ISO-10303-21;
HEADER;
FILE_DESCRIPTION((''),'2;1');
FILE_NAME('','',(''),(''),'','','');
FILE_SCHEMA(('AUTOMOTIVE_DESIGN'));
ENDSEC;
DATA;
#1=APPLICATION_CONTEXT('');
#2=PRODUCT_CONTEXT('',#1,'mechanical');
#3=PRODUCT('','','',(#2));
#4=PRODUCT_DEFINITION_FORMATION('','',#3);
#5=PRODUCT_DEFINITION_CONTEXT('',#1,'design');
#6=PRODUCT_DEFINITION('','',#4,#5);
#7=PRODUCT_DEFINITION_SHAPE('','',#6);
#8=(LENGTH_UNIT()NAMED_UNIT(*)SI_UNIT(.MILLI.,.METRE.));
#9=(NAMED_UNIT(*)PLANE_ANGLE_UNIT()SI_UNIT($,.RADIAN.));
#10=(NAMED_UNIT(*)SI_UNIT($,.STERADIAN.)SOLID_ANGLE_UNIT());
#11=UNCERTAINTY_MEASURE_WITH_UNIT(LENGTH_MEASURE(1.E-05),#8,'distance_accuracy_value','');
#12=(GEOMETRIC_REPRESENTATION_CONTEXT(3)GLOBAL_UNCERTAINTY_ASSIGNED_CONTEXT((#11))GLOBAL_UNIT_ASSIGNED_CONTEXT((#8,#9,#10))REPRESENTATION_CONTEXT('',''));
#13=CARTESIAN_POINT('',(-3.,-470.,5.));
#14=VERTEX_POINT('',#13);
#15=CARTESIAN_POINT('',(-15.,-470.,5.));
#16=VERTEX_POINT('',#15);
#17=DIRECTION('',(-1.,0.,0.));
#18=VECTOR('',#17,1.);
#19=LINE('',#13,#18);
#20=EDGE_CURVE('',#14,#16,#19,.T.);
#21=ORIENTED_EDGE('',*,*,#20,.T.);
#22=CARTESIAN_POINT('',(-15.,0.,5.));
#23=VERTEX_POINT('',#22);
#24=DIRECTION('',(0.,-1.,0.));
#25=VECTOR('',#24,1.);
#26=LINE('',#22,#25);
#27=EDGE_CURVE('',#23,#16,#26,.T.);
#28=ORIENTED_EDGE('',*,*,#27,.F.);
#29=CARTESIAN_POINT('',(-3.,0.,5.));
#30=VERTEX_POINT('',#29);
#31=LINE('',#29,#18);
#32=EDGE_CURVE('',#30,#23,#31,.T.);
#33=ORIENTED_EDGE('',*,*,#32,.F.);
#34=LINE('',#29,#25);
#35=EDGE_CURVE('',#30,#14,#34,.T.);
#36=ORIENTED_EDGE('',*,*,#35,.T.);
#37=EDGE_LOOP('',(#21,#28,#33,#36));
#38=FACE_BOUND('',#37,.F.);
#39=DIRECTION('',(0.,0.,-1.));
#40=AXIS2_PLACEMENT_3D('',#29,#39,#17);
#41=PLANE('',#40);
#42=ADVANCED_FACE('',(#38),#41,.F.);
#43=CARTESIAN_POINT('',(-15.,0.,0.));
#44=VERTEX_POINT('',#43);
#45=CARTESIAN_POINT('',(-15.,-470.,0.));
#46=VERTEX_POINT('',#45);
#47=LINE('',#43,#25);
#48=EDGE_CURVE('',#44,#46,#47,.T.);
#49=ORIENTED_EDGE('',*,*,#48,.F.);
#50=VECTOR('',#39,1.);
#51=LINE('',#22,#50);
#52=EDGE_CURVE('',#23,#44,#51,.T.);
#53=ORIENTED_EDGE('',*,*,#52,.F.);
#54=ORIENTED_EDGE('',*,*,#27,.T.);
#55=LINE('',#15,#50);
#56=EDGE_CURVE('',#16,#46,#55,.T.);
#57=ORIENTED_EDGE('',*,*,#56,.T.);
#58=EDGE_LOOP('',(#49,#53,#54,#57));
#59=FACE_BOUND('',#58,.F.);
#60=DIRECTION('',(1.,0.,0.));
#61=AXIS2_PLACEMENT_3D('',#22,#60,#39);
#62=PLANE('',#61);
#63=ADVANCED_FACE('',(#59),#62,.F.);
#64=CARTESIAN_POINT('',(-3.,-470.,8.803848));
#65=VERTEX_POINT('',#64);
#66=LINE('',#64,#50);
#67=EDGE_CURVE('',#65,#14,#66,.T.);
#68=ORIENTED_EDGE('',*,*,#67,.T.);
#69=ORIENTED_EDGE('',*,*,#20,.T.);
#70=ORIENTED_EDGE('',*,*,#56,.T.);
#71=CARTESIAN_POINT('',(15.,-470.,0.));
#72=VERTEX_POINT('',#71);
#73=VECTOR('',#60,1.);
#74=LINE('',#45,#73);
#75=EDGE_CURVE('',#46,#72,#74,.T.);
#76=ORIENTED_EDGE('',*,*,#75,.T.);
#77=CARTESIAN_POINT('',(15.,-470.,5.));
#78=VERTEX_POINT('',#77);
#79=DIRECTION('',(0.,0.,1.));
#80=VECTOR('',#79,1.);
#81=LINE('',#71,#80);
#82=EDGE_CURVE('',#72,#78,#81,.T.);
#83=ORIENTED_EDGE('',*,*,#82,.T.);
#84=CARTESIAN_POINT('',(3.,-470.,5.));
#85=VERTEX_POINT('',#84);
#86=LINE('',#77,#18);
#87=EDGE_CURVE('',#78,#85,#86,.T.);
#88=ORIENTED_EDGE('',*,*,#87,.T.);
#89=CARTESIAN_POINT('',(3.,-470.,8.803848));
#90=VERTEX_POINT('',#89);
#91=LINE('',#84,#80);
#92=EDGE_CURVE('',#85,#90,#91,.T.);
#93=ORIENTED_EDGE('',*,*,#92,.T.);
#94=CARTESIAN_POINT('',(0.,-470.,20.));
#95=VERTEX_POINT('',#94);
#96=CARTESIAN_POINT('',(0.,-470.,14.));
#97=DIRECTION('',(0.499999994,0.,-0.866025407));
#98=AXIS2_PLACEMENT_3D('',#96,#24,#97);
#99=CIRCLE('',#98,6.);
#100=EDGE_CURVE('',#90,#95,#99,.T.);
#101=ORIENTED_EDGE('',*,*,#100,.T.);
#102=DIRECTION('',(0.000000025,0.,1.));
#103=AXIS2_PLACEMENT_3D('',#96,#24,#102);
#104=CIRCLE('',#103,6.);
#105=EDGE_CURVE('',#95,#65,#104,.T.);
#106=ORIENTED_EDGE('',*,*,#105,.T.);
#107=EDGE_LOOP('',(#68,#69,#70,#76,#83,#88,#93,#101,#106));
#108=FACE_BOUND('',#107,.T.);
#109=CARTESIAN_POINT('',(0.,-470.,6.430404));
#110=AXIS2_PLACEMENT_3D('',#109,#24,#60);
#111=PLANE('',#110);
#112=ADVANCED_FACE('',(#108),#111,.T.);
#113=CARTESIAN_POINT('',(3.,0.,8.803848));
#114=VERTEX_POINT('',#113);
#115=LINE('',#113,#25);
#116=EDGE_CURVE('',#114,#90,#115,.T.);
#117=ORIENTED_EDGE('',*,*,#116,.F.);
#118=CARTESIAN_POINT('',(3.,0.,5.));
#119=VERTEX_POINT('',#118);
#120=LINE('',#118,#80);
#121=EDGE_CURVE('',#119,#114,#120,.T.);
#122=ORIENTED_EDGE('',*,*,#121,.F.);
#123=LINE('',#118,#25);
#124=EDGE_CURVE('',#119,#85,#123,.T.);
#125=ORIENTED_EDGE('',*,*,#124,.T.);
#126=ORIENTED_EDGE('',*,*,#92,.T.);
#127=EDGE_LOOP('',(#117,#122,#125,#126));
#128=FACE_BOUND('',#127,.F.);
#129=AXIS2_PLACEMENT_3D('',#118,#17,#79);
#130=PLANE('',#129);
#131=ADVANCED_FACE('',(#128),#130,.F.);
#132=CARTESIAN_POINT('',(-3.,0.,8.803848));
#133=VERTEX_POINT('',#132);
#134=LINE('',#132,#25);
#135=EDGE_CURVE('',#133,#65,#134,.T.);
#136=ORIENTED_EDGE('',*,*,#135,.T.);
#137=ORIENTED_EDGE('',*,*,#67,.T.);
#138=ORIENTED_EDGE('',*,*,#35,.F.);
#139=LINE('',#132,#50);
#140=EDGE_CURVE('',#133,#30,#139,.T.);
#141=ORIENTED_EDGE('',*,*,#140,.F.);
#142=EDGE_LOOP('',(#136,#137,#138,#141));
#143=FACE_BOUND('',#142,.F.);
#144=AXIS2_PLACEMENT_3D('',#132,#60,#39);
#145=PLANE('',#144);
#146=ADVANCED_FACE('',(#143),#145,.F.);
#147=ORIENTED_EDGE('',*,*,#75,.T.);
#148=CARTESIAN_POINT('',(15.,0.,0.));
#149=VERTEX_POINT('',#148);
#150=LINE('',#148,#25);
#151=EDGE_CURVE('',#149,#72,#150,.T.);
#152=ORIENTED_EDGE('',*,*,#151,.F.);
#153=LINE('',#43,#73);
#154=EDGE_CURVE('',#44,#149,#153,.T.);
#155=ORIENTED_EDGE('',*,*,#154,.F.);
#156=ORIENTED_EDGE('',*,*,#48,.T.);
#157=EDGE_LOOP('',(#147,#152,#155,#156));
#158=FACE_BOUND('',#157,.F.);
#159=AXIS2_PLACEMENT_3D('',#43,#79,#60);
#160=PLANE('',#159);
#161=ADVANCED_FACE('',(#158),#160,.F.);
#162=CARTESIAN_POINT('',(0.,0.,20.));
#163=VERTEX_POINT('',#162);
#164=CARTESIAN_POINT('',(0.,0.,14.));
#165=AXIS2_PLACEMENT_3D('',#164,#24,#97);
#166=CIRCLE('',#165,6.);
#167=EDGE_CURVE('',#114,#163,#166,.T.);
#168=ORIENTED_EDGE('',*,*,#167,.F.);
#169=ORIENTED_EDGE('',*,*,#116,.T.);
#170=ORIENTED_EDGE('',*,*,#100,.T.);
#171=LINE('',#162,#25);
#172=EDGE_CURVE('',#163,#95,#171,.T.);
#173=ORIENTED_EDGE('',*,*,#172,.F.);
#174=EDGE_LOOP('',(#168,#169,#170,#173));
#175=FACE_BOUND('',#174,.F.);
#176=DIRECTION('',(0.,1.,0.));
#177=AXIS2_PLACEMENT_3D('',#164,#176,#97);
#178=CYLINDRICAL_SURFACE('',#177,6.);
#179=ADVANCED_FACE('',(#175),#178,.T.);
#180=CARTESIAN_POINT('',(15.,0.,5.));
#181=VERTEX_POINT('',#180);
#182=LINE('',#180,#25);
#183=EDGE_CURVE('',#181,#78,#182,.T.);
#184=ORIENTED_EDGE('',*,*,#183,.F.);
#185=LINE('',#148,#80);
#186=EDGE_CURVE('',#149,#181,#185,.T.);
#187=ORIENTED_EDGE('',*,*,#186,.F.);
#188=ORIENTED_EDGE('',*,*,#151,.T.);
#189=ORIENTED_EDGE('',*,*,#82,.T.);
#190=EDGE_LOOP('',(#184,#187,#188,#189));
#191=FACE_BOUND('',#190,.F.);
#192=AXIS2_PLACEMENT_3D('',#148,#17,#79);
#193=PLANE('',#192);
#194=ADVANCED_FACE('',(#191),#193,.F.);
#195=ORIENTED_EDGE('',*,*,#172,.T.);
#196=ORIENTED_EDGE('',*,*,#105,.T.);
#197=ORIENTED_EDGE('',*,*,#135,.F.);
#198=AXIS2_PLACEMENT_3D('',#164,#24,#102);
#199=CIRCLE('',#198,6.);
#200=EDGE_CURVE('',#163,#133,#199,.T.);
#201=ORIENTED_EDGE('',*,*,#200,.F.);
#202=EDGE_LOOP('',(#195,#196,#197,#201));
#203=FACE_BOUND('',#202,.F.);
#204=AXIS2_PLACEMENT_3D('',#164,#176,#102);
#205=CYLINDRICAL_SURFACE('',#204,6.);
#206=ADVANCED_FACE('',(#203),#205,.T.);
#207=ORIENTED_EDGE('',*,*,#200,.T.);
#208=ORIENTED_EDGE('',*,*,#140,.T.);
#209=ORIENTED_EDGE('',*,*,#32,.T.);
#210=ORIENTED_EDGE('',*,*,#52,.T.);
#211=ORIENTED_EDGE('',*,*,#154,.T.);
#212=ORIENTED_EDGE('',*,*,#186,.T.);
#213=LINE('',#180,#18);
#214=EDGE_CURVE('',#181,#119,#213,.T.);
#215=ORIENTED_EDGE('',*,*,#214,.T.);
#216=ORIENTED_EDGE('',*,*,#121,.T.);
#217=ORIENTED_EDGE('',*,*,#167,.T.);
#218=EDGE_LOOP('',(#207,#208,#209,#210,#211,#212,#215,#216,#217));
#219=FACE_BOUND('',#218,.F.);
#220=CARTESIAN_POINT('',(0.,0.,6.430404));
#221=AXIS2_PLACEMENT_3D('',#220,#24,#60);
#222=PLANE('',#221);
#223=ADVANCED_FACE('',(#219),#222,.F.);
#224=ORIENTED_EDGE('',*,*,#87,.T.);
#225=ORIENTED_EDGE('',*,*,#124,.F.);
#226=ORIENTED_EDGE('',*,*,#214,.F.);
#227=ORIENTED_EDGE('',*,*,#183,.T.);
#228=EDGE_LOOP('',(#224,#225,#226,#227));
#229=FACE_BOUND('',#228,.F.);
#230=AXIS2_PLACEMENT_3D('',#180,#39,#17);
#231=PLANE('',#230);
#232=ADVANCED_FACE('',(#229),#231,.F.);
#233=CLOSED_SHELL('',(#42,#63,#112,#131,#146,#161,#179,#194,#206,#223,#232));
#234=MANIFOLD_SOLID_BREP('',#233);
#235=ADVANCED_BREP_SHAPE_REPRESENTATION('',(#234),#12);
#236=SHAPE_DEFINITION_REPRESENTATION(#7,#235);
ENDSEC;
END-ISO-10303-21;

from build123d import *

# Parameters (mm, degrees)
F1_DEPTH = 470


with BuildPart() as f1:
    # F0 (on Front) → F1 (new body)
    with BuildSketch(Plane.XZ):
        with BuildLine():
            Line((-15, 0), (0, 0))
            Line((0, 0), (15, 0))
            Line((15, 0), (15, 5))
            Line((15, 5), (3, 5))
            Line((3, 5), (3, 8.803848))
            ThreePointArc((3, 8.803848), (5.795555, 15.552914), (0, 20))
            ThreePointArc((0, 20), (-5.795555, 15.552914), (-3, 8.803848))
            Line((-3, 8.803848), (-3, 5))
            Line((-3, 5), (-15, 5))
            Line((-15, 5), (-15, 0))
        make_face()
    extrude(amount=F1_DEPTH)


solid = f1.part
